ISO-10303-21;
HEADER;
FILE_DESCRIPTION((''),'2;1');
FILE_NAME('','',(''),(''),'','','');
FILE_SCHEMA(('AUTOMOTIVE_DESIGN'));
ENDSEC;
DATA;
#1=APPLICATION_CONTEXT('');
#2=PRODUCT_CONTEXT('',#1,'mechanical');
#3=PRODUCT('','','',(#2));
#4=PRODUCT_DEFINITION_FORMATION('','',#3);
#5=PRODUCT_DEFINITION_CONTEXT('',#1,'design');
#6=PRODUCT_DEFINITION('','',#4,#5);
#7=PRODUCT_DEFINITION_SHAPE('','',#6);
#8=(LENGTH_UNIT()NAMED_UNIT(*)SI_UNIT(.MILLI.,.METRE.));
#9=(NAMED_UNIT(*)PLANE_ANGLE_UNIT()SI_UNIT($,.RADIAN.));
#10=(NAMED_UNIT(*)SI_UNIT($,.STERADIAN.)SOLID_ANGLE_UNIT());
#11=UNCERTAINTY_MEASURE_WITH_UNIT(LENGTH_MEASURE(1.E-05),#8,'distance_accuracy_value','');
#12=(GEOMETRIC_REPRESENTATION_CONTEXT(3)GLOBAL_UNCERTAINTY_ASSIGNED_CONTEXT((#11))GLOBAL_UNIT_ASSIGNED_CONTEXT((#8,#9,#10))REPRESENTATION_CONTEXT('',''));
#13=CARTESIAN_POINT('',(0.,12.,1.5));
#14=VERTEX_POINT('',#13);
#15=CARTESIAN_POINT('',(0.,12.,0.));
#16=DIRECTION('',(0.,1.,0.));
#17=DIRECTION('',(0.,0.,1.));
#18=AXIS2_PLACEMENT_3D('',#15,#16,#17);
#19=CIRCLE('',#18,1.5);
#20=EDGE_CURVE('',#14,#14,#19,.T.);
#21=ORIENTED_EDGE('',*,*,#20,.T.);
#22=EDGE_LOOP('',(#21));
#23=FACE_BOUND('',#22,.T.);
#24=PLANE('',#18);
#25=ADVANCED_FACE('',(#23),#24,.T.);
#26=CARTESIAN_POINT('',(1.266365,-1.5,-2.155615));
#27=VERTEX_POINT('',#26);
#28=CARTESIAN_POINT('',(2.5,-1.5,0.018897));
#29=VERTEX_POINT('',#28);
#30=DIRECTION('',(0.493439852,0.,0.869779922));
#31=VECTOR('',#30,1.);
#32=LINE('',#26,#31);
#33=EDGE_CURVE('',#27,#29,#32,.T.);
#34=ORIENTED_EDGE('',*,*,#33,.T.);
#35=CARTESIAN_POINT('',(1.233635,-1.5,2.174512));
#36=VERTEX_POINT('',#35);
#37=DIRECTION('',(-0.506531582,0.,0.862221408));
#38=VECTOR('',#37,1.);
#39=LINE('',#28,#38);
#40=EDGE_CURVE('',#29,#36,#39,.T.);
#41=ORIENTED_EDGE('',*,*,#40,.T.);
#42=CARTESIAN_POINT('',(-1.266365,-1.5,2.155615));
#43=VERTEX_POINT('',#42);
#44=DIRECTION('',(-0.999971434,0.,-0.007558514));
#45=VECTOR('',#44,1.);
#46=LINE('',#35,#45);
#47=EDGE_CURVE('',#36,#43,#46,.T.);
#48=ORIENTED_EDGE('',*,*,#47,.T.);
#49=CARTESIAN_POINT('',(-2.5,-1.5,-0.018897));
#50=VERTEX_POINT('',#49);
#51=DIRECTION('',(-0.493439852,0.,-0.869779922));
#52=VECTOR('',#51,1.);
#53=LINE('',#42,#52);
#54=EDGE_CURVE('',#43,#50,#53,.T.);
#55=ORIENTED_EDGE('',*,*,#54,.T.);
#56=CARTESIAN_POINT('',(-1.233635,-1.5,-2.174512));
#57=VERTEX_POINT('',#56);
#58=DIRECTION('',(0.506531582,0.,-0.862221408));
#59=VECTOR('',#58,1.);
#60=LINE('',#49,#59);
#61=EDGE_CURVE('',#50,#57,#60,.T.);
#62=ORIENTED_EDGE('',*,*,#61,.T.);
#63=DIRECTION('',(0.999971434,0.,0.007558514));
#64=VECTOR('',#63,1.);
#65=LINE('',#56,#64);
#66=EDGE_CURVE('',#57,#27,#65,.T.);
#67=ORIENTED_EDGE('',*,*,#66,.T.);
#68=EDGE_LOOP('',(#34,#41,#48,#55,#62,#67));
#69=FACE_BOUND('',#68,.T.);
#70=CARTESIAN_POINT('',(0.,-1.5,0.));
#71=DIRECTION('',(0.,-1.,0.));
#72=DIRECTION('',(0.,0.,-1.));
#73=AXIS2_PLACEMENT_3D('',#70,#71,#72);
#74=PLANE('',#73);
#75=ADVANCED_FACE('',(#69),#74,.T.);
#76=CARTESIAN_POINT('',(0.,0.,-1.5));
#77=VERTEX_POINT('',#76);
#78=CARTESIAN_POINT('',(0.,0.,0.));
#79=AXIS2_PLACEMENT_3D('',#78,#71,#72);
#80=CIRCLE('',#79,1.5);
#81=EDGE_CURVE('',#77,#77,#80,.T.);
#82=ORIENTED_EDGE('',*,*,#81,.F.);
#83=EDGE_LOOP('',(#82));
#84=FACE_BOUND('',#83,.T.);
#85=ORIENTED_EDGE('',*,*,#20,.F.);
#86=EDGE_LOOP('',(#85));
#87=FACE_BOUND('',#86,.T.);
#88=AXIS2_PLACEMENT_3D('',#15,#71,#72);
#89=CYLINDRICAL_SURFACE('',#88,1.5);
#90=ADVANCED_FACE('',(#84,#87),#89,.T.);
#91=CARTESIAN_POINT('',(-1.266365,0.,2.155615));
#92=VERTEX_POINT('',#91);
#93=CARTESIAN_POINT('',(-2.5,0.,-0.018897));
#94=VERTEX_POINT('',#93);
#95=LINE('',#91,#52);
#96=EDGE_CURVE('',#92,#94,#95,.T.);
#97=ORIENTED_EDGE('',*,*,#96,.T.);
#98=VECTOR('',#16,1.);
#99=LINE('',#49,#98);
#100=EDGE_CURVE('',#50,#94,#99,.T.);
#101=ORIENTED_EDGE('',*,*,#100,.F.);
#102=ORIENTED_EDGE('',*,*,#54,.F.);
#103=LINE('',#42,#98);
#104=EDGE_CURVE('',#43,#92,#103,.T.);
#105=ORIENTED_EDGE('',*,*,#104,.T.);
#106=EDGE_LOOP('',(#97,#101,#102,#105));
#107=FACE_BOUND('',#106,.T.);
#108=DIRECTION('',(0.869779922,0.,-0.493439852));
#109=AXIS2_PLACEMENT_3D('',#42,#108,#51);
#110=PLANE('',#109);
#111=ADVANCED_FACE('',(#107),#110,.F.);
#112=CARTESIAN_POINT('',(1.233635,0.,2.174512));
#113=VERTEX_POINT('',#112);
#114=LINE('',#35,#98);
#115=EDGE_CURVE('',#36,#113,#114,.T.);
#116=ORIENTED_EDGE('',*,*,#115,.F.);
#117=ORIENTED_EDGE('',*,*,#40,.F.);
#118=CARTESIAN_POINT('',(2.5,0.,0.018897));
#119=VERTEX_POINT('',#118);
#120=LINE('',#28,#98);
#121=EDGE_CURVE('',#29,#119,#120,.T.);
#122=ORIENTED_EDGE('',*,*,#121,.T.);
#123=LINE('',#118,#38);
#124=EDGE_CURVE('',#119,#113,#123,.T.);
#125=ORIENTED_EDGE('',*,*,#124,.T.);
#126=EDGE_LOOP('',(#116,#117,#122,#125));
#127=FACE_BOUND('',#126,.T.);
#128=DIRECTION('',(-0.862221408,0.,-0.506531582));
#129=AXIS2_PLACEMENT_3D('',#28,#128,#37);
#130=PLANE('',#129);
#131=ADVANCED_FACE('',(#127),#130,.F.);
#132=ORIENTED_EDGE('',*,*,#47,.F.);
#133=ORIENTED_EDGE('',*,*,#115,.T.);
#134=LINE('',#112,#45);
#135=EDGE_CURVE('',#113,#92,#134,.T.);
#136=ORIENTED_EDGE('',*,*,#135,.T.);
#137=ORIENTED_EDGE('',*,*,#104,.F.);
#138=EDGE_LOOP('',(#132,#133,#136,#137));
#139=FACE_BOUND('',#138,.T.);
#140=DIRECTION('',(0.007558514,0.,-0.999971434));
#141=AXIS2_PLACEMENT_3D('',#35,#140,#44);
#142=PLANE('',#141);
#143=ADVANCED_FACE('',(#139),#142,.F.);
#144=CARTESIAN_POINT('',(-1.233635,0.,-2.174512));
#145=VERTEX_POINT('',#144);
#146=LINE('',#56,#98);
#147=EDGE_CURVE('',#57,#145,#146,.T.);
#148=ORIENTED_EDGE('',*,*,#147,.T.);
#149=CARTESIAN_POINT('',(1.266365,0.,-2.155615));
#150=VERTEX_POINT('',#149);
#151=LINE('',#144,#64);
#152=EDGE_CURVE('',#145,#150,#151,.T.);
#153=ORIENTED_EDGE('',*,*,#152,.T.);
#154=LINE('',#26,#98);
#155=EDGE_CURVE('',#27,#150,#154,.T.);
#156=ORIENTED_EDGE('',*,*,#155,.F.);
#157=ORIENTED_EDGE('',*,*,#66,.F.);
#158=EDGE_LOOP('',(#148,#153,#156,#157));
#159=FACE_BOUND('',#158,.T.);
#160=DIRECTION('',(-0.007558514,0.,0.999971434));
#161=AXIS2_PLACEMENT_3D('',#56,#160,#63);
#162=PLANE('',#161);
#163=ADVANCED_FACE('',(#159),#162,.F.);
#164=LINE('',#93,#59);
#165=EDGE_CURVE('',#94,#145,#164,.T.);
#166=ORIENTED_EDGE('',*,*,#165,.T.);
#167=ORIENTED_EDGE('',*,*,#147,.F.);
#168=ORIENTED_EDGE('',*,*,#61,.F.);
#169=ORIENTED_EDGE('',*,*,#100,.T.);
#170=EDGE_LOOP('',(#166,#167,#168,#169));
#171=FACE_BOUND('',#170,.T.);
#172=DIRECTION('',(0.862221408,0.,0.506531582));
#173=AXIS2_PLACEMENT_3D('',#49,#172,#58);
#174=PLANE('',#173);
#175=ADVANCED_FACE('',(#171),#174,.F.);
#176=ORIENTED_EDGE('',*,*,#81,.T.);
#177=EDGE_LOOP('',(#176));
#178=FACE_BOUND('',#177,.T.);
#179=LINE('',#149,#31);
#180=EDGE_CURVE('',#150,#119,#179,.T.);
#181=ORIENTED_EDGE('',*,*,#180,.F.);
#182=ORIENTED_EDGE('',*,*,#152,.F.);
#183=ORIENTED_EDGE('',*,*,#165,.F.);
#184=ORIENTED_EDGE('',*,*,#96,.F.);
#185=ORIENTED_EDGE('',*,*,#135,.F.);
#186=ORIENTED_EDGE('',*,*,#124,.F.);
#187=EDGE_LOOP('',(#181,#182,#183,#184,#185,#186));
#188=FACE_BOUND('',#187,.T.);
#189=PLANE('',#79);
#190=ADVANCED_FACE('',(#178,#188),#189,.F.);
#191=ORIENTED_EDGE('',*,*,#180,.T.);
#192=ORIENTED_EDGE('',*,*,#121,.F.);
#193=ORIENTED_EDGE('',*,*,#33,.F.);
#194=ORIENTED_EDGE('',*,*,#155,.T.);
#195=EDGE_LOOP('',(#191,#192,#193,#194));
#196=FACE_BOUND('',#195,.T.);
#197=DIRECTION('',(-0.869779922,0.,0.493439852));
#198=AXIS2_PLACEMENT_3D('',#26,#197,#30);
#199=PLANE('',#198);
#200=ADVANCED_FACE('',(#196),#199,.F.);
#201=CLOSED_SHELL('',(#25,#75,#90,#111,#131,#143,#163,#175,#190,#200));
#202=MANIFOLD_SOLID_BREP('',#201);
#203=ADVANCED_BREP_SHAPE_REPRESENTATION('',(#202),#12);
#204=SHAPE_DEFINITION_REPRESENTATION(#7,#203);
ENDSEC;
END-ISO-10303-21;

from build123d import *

# Parameters (mm, degrees)
SKETCH1_R           = 1.5
BOSS_EXTRUDE1_DEPTH = 12
BOSS_EXTRUDE2_DEPTH = 1.5


with BuildPart() as part:
    # Sketch1 → Boss-Extrude1 (new body)
    with BuildSketch(Plane(origin=(0, 0, 0), x_dir=(1, 0, 0), z_dir=(0, 1, 0))):
        Circle(SKETCH1_R)
    extrude(amount=BOSS_EXTRUDE1_DEPTH)

    # Sketch2 → Boss-Extrude2 (add)
    with BuildSketch(Plane.XZ):
        Polygon((2.5, 0.018896825), (1.23363487, 2.174511922), (-1.26636513, 2.155615097), (-2.5, -0.018896825), (-1.23363487, -2.174511922), (1.26636513, -2.155615097), align=None)
    extrude(amount=BOSS_EXTRUDE2_DEPTH)


solid = part.part
